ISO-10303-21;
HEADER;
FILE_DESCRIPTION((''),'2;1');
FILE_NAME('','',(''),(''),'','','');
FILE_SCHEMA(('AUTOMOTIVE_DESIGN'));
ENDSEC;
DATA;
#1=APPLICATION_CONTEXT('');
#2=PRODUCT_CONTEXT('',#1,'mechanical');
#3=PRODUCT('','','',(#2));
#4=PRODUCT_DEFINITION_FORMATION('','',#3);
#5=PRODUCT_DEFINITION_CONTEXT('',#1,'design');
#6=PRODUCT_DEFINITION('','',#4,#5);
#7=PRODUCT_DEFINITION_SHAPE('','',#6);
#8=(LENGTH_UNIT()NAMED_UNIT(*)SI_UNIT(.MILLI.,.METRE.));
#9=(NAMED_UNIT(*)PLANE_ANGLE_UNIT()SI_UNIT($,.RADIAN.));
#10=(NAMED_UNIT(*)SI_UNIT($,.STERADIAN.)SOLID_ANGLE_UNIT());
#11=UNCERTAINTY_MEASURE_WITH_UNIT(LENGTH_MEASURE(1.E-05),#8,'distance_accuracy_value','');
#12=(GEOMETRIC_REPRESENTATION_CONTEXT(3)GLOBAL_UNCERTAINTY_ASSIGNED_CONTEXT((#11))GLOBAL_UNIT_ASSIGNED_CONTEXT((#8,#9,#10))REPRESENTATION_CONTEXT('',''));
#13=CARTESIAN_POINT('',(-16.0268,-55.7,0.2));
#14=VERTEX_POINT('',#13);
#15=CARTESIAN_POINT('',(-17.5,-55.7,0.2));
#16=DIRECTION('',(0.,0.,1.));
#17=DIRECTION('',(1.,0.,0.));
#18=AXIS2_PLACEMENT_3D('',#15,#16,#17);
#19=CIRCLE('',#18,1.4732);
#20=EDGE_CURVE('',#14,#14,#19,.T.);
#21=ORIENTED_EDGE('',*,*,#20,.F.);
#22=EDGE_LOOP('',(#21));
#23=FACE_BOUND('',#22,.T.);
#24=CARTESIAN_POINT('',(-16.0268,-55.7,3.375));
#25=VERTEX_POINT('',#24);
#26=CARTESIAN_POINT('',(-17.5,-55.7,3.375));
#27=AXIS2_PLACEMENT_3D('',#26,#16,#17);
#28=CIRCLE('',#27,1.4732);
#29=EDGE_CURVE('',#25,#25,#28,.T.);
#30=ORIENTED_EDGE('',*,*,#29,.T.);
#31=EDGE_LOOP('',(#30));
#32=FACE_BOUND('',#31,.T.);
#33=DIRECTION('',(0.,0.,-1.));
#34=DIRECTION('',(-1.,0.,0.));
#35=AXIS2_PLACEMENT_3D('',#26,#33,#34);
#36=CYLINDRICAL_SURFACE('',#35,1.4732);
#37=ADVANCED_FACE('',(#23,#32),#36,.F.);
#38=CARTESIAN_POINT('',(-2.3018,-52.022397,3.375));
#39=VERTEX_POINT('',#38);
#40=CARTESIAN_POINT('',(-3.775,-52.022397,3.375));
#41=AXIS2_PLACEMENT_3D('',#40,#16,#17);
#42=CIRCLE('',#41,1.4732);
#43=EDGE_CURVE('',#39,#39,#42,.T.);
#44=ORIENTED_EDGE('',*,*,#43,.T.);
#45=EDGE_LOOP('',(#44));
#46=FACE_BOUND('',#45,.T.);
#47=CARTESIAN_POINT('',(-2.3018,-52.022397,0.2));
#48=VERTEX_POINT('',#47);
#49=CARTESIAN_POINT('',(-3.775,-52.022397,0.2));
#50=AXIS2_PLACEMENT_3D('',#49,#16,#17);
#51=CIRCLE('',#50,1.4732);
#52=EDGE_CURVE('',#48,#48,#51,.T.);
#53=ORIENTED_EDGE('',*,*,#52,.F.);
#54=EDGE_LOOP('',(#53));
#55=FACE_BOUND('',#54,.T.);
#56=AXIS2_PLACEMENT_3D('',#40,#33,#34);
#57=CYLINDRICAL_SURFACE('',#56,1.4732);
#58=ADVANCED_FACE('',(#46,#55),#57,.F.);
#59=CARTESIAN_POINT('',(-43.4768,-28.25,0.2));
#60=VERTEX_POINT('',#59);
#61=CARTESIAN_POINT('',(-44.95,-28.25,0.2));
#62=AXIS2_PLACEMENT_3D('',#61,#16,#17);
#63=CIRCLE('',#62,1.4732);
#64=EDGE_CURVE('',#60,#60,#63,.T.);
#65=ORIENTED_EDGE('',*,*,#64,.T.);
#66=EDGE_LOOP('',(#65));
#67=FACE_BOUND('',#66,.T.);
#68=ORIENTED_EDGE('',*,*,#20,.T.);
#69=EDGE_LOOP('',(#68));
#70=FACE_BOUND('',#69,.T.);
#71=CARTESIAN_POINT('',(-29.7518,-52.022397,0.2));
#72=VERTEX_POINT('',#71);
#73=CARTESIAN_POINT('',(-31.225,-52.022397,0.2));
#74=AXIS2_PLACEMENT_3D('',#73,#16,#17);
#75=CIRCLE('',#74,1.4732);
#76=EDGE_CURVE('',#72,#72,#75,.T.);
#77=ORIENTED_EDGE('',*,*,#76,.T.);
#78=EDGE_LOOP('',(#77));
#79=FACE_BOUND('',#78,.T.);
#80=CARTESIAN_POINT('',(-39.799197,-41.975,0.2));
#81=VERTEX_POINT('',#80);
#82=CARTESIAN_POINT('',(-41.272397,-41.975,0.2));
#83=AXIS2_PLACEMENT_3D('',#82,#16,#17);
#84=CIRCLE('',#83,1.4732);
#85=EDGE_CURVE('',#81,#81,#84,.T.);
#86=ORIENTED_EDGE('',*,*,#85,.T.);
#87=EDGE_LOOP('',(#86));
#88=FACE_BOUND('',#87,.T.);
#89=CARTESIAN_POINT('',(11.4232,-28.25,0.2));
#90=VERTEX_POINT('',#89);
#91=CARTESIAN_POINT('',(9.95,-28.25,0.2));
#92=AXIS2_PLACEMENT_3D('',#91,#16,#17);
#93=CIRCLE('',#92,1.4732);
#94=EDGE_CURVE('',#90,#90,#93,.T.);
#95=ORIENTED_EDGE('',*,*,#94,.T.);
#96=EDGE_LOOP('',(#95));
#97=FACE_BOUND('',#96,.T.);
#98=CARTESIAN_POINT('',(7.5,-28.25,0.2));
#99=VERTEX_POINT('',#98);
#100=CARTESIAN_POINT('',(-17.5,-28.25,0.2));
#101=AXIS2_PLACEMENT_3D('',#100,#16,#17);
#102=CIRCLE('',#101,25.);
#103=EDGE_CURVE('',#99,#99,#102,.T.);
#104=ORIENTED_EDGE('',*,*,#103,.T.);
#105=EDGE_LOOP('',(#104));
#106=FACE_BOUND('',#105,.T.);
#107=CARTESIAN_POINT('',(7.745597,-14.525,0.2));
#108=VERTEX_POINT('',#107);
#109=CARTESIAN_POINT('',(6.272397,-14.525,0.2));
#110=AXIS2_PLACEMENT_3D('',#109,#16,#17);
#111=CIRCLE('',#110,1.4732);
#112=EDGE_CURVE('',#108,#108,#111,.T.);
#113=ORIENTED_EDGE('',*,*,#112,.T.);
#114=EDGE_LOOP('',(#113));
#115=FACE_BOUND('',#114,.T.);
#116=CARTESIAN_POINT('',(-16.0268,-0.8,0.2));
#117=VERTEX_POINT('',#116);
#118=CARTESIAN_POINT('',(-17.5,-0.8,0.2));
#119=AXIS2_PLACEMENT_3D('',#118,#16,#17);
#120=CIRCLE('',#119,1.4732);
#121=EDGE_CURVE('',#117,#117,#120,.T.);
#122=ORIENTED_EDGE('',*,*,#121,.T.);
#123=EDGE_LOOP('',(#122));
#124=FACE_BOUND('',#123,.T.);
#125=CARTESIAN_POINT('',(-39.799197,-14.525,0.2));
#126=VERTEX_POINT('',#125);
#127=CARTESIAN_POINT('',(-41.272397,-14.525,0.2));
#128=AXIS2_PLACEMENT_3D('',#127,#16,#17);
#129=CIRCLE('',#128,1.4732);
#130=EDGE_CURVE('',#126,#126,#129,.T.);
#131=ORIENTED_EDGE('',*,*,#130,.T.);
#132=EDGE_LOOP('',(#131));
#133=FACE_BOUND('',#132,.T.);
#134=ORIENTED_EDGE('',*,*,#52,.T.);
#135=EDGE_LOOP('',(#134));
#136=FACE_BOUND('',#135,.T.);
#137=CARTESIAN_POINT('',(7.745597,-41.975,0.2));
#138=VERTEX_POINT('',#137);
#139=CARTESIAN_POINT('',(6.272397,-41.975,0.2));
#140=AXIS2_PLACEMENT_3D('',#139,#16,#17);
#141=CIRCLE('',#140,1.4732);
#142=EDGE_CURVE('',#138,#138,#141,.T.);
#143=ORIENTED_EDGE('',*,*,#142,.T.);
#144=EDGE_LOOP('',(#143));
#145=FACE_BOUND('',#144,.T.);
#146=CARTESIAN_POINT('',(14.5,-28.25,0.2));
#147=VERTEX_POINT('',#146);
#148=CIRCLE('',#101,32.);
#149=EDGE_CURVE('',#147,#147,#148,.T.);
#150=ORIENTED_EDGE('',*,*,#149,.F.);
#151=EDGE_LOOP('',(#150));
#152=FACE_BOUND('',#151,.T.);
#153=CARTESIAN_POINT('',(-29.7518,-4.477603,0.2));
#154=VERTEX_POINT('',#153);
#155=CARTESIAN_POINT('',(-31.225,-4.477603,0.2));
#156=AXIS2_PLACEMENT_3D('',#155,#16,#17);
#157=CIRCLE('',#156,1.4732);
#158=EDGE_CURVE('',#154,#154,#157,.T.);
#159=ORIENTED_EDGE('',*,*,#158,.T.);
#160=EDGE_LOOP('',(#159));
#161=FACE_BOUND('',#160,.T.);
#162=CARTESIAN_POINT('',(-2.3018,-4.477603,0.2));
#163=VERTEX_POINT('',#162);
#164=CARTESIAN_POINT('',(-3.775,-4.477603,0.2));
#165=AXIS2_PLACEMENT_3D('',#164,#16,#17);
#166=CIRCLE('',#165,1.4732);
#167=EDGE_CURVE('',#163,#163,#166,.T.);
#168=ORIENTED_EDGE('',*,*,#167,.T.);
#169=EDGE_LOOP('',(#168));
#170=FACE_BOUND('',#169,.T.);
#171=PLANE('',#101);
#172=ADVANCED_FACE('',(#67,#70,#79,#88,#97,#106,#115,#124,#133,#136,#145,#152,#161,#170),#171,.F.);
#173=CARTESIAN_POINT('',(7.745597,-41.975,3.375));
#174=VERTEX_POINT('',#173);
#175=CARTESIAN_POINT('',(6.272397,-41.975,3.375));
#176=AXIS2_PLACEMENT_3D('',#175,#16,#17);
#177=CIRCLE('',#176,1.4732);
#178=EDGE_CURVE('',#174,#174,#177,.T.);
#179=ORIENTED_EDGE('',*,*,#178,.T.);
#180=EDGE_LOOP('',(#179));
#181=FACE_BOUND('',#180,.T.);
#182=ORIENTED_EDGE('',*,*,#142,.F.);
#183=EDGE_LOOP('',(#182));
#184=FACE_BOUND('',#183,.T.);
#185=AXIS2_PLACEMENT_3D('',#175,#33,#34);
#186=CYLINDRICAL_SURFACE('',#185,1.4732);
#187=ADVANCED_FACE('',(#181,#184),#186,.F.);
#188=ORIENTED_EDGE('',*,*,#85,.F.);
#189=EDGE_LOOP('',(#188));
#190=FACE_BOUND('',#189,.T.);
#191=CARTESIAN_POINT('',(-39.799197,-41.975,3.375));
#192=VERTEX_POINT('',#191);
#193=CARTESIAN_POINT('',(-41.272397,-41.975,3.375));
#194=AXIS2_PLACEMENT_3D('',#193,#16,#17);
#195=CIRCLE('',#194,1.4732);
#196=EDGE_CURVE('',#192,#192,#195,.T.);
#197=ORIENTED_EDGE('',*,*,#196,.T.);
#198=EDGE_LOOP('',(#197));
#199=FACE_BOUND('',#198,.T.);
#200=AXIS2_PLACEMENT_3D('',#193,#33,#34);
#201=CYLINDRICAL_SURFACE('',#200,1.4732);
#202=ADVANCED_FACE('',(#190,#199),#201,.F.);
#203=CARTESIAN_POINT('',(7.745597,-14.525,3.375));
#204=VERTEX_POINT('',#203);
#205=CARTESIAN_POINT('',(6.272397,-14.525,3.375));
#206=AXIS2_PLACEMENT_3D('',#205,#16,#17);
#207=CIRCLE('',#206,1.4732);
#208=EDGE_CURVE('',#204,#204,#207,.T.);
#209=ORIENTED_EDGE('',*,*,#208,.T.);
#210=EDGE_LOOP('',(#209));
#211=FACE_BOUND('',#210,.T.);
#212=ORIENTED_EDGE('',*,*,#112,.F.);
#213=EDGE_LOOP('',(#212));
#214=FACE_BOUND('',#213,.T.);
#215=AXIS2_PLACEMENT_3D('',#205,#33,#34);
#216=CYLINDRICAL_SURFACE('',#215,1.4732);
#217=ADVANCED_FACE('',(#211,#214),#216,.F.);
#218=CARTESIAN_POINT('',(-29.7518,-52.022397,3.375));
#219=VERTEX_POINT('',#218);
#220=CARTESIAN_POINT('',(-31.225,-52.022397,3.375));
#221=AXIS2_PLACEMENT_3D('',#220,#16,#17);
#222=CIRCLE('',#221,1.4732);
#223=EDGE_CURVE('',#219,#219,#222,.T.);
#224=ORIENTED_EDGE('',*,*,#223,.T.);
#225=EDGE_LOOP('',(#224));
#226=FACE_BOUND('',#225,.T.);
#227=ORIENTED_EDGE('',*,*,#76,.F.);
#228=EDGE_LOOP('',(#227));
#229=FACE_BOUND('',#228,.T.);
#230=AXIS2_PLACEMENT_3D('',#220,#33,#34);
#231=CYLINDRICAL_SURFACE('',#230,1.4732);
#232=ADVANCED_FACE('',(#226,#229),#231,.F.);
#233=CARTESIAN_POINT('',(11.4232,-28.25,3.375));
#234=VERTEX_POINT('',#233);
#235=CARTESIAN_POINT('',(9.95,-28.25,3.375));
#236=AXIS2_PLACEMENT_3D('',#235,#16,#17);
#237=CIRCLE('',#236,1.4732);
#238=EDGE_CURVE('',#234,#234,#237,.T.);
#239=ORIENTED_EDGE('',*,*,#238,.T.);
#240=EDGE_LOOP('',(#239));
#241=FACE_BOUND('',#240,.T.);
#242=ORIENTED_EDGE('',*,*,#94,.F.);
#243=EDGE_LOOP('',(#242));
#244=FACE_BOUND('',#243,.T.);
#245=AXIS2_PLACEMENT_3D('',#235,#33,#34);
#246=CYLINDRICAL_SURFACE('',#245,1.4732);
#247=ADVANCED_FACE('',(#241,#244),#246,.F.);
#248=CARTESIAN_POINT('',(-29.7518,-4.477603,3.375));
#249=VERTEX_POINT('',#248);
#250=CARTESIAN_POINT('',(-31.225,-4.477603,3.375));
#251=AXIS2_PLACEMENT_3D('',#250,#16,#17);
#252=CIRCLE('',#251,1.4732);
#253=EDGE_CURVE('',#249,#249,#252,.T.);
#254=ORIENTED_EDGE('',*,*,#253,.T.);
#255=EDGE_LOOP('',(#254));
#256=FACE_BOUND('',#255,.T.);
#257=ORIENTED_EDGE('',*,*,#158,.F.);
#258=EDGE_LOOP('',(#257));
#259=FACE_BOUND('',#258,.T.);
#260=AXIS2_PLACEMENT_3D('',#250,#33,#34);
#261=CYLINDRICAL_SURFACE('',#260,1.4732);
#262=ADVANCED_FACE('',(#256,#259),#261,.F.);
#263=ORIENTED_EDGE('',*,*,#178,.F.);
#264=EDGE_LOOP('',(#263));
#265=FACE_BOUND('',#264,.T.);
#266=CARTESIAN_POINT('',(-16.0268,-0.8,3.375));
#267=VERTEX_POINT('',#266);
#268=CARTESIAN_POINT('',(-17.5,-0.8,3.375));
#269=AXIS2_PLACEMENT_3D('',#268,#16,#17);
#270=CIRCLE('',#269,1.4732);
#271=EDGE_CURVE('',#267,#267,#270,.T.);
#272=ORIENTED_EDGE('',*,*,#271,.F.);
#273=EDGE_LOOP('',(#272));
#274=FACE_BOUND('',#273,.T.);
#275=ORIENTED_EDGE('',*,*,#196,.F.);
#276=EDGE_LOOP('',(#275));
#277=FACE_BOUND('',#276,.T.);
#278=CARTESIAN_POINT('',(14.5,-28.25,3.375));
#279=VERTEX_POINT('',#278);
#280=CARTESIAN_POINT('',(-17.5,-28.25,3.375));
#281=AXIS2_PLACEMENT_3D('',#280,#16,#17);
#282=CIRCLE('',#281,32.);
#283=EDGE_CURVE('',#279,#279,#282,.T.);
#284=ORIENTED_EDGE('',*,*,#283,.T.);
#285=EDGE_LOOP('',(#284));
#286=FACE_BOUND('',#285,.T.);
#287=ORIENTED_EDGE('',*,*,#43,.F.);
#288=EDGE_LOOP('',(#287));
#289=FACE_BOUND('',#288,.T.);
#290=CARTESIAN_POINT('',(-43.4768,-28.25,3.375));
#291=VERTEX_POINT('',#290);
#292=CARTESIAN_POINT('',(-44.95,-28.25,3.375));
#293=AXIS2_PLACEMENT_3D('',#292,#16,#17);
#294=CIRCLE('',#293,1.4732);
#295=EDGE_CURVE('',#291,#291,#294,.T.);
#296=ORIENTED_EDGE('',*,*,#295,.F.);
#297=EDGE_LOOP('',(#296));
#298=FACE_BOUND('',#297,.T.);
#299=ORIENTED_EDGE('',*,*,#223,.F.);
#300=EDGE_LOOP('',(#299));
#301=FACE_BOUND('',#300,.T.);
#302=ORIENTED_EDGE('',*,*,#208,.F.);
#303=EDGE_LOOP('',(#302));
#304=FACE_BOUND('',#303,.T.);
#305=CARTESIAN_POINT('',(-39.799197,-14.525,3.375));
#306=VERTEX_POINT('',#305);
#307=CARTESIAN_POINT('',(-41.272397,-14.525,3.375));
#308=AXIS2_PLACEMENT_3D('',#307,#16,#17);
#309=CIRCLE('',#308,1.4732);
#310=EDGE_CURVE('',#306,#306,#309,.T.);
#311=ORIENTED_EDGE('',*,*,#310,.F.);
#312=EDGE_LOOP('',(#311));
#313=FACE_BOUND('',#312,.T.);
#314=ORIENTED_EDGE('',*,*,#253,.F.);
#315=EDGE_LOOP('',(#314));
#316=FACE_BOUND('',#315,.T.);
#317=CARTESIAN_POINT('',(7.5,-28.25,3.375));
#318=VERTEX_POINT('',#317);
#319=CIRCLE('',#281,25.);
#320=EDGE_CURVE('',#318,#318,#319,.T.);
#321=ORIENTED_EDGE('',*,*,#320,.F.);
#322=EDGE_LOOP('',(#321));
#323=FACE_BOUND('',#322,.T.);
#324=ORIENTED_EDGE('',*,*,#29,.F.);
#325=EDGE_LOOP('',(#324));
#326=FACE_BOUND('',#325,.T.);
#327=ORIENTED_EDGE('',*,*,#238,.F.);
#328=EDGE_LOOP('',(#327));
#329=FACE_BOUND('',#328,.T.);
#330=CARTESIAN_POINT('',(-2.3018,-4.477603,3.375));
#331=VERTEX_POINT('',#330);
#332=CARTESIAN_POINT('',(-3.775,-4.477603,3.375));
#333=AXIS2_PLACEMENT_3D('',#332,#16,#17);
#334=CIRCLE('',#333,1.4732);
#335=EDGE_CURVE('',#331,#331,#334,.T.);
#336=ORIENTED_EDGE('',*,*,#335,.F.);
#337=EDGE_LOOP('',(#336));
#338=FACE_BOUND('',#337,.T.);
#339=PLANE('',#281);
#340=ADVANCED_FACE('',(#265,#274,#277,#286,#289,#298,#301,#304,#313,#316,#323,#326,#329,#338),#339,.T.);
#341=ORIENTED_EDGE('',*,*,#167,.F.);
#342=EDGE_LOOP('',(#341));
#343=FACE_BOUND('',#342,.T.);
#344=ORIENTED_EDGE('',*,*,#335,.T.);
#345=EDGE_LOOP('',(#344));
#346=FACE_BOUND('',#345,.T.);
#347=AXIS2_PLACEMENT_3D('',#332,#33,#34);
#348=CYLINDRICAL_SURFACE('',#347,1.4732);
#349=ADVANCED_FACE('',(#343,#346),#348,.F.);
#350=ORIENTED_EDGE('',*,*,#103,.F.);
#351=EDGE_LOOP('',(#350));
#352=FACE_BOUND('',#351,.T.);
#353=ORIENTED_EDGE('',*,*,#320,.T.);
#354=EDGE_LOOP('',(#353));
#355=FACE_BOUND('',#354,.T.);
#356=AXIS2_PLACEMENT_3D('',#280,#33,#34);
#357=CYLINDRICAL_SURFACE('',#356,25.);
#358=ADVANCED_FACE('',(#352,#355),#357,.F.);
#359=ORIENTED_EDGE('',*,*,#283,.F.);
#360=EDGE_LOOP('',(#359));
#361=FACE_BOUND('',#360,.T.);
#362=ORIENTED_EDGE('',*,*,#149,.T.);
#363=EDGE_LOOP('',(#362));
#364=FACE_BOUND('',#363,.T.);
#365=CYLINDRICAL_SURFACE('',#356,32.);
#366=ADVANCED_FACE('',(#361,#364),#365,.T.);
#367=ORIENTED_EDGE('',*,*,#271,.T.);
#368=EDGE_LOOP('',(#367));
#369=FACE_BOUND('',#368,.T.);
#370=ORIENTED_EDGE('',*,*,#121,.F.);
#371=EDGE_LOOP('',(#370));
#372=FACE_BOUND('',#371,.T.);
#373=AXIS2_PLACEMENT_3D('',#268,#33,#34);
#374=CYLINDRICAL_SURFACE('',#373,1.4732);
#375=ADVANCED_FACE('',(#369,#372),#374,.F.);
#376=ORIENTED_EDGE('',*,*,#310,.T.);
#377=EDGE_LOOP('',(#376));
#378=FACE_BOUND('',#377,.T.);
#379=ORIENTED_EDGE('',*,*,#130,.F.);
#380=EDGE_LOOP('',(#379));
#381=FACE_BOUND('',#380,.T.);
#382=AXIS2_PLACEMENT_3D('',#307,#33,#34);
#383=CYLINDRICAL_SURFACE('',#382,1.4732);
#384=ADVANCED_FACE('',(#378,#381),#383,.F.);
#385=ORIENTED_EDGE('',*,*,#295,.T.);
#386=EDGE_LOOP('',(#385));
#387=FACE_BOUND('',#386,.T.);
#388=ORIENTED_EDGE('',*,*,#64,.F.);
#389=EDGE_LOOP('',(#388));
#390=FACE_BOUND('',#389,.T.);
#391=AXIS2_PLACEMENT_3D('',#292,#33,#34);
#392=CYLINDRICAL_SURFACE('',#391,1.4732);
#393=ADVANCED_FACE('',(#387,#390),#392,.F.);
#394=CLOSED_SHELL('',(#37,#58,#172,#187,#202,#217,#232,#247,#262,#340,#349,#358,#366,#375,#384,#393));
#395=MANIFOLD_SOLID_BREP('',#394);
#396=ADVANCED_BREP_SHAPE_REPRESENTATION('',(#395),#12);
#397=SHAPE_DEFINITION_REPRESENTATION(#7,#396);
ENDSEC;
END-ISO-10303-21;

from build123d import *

# Parameters (mm, degrees)
SKETCH1_R           = 32
SKETCH1_R_2         = 25
SKETCH1_R_3         = 1.4732
BOSS_EXTRUDE1_DEPTH = 3.175


with BuildPart() as part:
    # Sketch1 → Boss-Extrude1 (new body)
    with BuildSketch(Plane.XY.offset(0.2)):
        with Locations((-17.5, -28.25)):
            Circle(SKETCH1_R)
        with Locations((-17.5, -28.25)):
            Circle(SKETCH1_R_2, mode=Mode.SUBTRACT)
        with Locations((-17.5, -55.7)):
            Circle(SKETCH1_R_3, mode=Mode.SUBTRACT)
        with Locations((-31.225, -52.022397334)):
            Circle(SKETCH1_R_3, mode=Mode.SUBTRACT)
        with Locations((-41.272397334, -41.975)):
            Circle(SKETCH1_R_3, mode=Mode.SUBTRACT)
        with Locations((-44.95, -28.25)):
            Circle(SKETCH1_R_3, mode=Mode.SUBTRACT)
        with Locations((-41.272397334, -14.525)):
            Circle(SKETCH1_R_3, mode=Mode.SUBTRACT)
        with Locations((-31.225, -4.477602666)):
            Circle(SKETCH1_R_3, mode=Mode.SUBTRACT)
        with Locations((-17.5, -0.8)):
            Circle(SKETCH1_R_3, mode=Mode.SUBTRACT)
        with Locations((-3.775, -4.477602666)):
            Circle(SKETCH1_R_3, mode=Mode.SUBTRACT)
        with Locations((6.272397334, -14.525)):
            Circle(SKETCH1_R_3, mode=Mode.SUBTRACT)
        with Locations((9.95, -28.25)):
            Circle(SKETCH1_R_3, mode=Mode.SUBTRACT)
        with Locations((6.272397334, -41.975)):
            Circle(SKETCH1_R_3, mode=Mode.SUBTRACT)
        with Locations((-3.775, -52.022397334)):
            Circle(SKETCH1_R_3, mode=Mode.SUBTRACT)
    extrude(amount=BOSS_EXTRUDE1_DEPTH)


solid = part.part
